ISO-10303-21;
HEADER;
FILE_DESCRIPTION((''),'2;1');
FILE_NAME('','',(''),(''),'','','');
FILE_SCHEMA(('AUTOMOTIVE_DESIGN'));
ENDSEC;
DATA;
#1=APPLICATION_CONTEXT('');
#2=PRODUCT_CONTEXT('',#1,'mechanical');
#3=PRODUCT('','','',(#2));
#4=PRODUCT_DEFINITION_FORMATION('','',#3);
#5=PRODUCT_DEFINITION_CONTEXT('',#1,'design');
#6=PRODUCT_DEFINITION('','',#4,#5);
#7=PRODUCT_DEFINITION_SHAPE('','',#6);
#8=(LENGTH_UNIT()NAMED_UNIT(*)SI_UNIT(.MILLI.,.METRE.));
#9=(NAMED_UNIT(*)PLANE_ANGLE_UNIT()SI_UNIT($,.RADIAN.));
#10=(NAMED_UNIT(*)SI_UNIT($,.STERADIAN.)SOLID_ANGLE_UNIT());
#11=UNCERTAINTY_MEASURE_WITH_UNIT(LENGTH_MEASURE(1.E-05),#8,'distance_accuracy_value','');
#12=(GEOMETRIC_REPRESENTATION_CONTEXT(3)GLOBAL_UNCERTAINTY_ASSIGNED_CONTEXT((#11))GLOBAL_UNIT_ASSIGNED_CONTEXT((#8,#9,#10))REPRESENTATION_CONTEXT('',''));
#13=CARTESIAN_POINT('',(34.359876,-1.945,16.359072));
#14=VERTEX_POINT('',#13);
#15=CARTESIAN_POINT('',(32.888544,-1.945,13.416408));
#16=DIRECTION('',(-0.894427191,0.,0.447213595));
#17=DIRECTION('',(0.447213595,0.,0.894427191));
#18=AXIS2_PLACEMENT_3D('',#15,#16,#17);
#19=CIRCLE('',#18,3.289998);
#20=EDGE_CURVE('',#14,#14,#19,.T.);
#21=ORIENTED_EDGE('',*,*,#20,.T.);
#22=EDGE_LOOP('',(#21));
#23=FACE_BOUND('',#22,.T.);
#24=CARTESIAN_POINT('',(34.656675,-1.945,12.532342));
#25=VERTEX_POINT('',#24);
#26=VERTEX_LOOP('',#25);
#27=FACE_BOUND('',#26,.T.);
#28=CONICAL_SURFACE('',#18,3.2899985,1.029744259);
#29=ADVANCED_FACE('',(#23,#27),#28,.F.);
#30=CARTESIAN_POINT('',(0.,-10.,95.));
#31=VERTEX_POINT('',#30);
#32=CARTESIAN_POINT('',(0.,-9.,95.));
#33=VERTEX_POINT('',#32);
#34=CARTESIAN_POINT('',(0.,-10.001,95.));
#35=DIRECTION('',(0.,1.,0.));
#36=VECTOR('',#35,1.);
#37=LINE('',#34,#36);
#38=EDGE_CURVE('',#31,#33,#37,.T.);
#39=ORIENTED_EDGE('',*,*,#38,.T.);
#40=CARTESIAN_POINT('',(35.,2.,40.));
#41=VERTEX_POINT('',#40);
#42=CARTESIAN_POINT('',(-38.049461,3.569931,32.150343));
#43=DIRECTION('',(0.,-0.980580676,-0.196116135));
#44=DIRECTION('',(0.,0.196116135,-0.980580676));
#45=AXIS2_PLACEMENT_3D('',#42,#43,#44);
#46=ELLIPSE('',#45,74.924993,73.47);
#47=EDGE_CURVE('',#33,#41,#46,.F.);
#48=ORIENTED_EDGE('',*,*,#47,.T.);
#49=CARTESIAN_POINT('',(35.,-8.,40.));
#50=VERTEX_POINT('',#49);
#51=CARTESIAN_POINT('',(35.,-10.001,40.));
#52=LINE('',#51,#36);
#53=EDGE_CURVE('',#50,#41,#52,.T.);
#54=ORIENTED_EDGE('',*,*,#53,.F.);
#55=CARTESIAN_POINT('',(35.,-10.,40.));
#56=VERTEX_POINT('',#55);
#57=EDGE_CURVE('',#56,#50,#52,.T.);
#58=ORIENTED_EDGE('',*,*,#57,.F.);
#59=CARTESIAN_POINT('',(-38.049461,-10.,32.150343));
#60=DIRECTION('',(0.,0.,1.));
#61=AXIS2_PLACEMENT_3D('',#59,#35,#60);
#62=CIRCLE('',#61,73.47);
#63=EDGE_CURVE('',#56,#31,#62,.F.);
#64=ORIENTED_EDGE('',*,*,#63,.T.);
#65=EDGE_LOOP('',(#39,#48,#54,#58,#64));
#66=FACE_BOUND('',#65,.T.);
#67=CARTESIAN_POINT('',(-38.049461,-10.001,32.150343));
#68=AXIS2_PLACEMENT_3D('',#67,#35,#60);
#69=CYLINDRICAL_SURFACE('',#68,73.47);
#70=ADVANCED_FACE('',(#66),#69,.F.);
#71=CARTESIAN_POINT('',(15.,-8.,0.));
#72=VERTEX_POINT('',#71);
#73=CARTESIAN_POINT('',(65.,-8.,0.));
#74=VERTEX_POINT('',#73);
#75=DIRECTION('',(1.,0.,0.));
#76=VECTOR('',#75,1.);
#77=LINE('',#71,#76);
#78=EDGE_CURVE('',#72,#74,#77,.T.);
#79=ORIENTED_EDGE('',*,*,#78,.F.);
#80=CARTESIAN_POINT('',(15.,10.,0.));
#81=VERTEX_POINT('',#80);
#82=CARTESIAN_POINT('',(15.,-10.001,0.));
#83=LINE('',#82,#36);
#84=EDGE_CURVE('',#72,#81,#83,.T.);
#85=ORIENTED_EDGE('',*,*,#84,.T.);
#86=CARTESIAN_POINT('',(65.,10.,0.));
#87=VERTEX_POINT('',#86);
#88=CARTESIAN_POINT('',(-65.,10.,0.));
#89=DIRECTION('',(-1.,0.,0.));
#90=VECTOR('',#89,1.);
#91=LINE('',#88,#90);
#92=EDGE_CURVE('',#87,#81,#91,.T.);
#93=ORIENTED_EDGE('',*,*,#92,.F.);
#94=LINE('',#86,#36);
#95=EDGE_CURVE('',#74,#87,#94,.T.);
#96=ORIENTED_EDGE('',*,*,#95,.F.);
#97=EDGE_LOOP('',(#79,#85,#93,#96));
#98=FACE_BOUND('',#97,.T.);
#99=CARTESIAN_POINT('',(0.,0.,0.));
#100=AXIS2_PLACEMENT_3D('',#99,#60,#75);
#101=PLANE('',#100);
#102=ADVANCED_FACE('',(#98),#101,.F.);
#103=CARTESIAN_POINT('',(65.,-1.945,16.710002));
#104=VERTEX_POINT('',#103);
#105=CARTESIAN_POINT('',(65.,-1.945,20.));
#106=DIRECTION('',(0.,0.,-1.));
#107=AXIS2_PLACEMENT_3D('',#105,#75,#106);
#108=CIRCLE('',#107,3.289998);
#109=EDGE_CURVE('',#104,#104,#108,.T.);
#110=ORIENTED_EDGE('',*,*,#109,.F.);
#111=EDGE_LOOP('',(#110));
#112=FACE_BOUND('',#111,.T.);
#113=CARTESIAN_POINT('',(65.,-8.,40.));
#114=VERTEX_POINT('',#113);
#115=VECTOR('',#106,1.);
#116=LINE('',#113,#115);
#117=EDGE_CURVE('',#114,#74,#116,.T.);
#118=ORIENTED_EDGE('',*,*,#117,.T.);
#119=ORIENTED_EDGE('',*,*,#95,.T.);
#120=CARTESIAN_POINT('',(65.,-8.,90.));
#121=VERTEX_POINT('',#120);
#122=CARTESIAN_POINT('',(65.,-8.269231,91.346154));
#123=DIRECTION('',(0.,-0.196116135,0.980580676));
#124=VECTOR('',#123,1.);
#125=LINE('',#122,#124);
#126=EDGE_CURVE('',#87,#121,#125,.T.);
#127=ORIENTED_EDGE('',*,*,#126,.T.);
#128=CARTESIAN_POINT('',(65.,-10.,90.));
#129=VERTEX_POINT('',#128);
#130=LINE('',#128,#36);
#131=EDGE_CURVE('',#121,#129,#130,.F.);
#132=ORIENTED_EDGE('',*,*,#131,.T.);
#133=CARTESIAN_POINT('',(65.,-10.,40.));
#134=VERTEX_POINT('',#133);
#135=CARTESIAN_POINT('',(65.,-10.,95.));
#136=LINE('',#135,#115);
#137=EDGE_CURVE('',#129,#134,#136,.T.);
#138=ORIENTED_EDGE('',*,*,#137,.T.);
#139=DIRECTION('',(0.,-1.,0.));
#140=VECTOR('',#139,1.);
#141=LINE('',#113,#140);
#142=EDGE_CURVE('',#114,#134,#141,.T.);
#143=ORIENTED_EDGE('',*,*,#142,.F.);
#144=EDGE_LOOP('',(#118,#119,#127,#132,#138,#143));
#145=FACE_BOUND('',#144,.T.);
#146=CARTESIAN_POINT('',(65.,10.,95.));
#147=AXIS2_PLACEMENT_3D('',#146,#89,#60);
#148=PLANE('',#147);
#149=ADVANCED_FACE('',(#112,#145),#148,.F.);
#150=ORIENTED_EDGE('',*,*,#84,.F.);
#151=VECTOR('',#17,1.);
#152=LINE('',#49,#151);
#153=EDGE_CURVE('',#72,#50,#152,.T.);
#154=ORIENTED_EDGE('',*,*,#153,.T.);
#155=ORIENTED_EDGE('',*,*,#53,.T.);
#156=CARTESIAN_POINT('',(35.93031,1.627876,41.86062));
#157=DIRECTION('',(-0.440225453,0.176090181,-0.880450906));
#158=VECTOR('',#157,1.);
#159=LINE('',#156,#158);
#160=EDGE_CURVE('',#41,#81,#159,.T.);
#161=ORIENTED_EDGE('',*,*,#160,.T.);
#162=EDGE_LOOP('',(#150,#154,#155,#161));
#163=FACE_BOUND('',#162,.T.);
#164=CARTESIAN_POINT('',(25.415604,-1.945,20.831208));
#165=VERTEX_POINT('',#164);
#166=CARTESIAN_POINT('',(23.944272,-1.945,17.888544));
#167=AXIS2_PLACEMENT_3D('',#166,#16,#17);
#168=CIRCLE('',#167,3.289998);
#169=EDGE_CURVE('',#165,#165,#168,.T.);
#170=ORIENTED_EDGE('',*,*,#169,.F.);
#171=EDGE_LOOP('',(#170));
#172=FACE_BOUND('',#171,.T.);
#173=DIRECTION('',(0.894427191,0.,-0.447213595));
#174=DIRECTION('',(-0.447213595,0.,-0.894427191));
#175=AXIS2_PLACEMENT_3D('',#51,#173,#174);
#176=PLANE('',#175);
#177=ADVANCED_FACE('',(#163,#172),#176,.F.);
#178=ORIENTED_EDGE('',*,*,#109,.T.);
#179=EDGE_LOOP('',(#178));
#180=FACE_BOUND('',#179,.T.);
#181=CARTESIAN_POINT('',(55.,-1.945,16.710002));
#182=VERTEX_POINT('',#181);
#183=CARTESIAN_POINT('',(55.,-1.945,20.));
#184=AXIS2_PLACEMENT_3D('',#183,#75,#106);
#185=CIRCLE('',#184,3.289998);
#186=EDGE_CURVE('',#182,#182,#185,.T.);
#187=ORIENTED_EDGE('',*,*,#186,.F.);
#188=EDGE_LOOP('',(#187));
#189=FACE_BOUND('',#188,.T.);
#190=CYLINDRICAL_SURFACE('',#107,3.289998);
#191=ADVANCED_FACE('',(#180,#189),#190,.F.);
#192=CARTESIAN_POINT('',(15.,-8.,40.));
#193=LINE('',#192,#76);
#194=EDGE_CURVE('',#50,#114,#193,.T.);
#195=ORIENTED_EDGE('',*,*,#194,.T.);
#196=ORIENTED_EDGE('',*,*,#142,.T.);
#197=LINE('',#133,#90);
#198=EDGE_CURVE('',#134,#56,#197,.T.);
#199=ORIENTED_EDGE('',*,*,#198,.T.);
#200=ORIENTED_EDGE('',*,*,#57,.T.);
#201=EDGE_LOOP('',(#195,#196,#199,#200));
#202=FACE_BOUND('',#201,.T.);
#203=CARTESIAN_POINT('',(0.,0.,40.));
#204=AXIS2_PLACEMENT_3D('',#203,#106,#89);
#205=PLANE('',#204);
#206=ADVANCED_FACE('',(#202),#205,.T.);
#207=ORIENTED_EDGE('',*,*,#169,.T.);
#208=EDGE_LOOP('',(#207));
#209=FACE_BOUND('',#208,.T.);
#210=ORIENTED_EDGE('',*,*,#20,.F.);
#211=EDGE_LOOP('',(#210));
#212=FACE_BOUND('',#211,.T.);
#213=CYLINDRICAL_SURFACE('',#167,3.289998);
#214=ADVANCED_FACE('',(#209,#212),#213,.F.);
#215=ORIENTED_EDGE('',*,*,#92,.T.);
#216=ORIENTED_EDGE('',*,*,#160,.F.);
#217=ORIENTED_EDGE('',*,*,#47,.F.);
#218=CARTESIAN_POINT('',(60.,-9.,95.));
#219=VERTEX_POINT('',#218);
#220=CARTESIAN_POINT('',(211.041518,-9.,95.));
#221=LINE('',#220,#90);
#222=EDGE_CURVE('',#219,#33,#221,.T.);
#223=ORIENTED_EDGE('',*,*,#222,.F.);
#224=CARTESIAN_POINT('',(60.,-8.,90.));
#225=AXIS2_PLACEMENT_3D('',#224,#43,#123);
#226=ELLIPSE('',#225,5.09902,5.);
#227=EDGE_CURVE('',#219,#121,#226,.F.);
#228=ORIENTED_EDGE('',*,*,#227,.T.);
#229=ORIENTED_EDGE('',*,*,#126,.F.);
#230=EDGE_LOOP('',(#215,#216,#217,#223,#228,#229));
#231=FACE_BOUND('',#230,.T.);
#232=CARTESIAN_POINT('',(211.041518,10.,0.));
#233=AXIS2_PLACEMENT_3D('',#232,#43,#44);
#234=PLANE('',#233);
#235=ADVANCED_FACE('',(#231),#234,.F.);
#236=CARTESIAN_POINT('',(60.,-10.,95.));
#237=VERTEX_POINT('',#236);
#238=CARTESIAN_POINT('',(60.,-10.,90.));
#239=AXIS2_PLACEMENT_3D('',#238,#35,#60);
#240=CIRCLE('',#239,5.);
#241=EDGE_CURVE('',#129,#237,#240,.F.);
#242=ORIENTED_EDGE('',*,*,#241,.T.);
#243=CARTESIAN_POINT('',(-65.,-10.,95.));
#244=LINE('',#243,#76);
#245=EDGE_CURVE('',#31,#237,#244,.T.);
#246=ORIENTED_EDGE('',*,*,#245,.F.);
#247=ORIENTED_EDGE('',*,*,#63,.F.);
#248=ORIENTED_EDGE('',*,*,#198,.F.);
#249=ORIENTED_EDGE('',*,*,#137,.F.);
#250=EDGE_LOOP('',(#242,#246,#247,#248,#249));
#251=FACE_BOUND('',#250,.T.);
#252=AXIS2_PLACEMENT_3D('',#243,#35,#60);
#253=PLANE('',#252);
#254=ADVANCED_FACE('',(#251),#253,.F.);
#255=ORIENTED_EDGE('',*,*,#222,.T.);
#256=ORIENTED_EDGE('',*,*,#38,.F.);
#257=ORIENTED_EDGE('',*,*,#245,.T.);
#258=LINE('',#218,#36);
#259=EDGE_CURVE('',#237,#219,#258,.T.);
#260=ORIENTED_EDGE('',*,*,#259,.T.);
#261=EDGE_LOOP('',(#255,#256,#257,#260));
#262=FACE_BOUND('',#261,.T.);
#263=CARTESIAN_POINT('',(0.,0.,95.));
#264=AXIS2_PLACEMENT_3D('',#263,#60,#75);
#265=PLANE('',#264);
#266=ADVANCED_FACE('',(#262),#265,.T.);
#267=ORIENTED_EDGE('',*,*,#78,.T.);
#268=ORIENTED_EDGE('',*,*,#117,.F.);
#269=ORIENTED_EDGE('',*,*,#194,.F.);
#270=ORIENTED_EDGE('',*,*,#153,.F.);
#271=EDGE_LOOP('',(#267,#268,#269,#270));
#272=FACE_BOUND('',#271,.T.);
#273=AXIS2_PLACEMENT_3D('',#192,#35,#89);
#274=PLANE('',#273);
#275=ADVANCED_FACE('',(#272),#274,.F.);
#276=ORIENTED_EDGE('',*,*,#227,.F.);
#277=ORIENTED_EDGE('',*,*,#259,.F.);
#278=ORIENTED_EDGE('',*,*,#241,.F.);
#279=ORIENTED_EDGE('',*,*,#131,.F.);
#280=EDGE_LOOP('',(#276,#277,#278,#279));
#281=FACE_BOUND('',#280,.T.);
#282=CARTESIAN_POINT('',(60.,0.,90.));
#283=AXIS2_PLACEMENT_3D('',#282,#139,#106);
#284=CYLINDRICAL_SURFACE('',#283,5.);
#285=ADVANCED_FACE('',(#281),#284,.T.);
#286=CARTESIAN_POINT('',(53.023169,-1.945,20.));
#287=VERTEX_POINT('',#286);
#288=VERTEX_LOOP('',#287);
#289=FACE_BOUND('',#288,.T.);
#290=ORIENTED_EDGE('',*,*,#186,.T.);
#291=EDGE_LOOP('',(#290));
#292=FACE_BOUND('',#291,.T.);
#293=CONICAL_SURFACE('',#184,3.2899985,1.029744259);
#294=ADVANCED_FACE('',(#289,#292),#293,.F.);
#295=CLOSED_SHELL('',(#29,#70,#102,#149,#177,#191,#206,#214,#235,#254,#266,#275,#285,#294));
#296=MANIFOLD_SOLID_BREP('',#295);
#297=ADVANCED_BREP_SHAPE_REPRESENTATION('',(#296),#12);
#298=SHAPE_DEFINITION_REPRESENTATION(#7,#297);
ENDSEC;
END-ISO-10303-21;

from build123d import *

# Parameters (mm, degrees)
ESBO_O1_W                                      = 130
ESBO_O1_H                                      = 20
RESSALTO_EXTRUS_O1_DEPTH                       = 95
CORTE_EXTRUS_O2_REACH                          = 22
CORTE_EXTRUS_O3_DEPTH                          = 1
CORTE_EXTRUS_O3_DEPTH_BACK                     = 66
BROCA_DE_ROSQUEAR_DE_CANO_PARA_TARRAXA_D_D     = 6.579997
BROCA_DE_ROSQUEAR_DE_CANO_PARA_TARRAXA_D_DEPTH = 10
BROCA_DE_ROSQUEAR_DE_CANO_PARA_TARRAXA_D_TIP   = 1.976830535
BROCA_DE_ROSQUEAR_DE_CANO_PARA_TARRA_2_D       = 6.579997
BROCA_DE_ROSQUEAR_DE_CANO_PARA_TARRA_2_DEPTH   = 10
BROCA_DE_ROSQUEAR_DE_CANO_PARA_TARRA_2_TIP     = 1.976830535
FILETE2_R                                      = 5
ESBO_O16_W                                     = 50
ESBO_O16_H                                     = 2
CORTE_EXTRUS_O6_DEPTH                          = 40


with BuildPart() as part:
    # Esboço1 → Ressalto-extrusão1 (new body)
    with BuildSketch(Plane.XY):
        Rectangle(ESBO_O1_W, ESBO_O1_H)
    extrude(amount=RESSALTO_EXTRUS_O1_DEPTH)

    # Esboço2 → Corte-extrusão2 (cut, up to next)
    with BuildSketch(Plane(origin=(0, 10, 0), x_dir=(1, 0, 0), z_dir=(0, 1, 0)), mode=Mode.PRIVATE) as corte_extrus_o2_sk1:
        with BuildLine():
            Line((15, 0), (-65, 0))
            Line((-65, 0), (-65, -95))
            Line((-65, -95), (0, -95))
            ThreePointArc((0, -95), (23.934348295, -71.594585279), (35, -40))
            Line((35, -40), (15, 0))
        make_face()
    corte_extrus_o2_tool1 = extrude(corte_extrus_o2_sk1.sketch, amount=-CORTE_EXTRUS_O2_REACH, mode=Mode.PRIVATE) & part.part
    add(corte_extrus_o2_tool1.solids().sort_by_distance((-20.013018, 10, 46.655676))[0], mode=Mode.SUBTRACT)

    # Esboço3 → Corte-extrusão3 (cut, two sides)
    with BuildSketch(Plane(origin=(65, 0, 0), x_dir=(0, 0, -1), z_dir=(1, 0, 0))) as corte_extrus_o3_sk:
        Polygon((200.200134404, 50.040026881), (0, 10), (-95, -9), (-295.200134404, -49.040026881), (-375.280188165, 351.360241926), (120.120080642, 450.440295688), align=None)
    extrude(amount=CORTE_EXTRUS_O3_DEPTH, mode=Mode.SUBTRACT)
    extrude(corte_extrus_o3_sk.sketch, amount=-CORTE_EXTRUS_O3_DEPTH_BACK, mode=Mode.SUBTRACT)

    # Broca de rosquear de cano para tarraxa d
    with Locations(Plane(origin=(65, 0, 0), x_dir=(0, 0, -1), z_dir=(1, 0, 0))):
        with Locations((-20, -1.945)):
            Hole(BROCA_DE_ROSQUEAR_DE_CANO_PARA_TARRAXA_D_D / 2, depth=BROCA_DE_ROSQUEAR_DE_CANO_PARA_TARRAXA_D_DEPTH)
            with Locations((0, 0, -(BROCA_DE_ROSQUEAR_DE_CANO_PARA_TARRAXA_D_DEPTH + BROCA_DE_ROSQUEAR_DE_CANO_PARA_TARRAXA_D_TIP / 2))):  # 118° drill point
                Cone(0, BROCA_DE_ROSQUEAR_DE_CANO_PARA_TARRAXA_D_D / 2, BROCA_DE_ROSQUEAR_DE_CANO_PARA_TARRAXA_D_TIP, mode=Mode.SUBTRACT)

    # Broca de rosquear de cano para tarra 2
    with Locations(Plane(origin=(12, 0, -6), x_dir=(0.447213595, 0, 0.894427191), z_dir=(-0.894427191, 0, 0.447213595))):
        with Locations((26.708203932, -1.945)):
            Hole(BROCA_DE_ROSQUEAR_DE_CANO_PARA_TARRA_2_D / 2, depth=BROCA_DE_ROSQUEAR_DE_CANO_PARA_TARRA_2_DEPTH)
            with Locations((0, 0, -(BROCA_DE_ROSQUEAR_DE_CANO_PARA_TARRA_2_DEPTH + BROCA_DE_ROSQUEAR_DE_CANO_PARA_TARRA_2_TIP / 2))):  # 118° drill point
                Cone(0, BROCA_DE_ROSQUEAR_DE_CANO_PARA_TARRA_2_D / 2, BROCA_DE_ROSQUEAR_DE_CANO_PARA_TARRA_2_TIP, mode=Mode.SUBTRACT)

    # Filete2
    filete2_edges = [part.edges().sort_by_distance(p)[0] for p in [
        (65, -9.5, 95),
    ]]
    fillet(filete2_edges, radius=FILETE2_R)

    # Esboço16 → Corte-extrusão6 (cut)
    with BuildSketch(Plane(origin=(0, 0, 0), x_dir=(-1, 0, 0), z_dir=(0, 0, -1))):
        with Locations((-40, -9)):
            Rectangle(ESBO_O16_W, ESBO_O16_H)
    extrude(amount=-CORTE_EXTRUS_O6_DEPTH, mode=Mode.SUBTRACT)


solid = part.part
